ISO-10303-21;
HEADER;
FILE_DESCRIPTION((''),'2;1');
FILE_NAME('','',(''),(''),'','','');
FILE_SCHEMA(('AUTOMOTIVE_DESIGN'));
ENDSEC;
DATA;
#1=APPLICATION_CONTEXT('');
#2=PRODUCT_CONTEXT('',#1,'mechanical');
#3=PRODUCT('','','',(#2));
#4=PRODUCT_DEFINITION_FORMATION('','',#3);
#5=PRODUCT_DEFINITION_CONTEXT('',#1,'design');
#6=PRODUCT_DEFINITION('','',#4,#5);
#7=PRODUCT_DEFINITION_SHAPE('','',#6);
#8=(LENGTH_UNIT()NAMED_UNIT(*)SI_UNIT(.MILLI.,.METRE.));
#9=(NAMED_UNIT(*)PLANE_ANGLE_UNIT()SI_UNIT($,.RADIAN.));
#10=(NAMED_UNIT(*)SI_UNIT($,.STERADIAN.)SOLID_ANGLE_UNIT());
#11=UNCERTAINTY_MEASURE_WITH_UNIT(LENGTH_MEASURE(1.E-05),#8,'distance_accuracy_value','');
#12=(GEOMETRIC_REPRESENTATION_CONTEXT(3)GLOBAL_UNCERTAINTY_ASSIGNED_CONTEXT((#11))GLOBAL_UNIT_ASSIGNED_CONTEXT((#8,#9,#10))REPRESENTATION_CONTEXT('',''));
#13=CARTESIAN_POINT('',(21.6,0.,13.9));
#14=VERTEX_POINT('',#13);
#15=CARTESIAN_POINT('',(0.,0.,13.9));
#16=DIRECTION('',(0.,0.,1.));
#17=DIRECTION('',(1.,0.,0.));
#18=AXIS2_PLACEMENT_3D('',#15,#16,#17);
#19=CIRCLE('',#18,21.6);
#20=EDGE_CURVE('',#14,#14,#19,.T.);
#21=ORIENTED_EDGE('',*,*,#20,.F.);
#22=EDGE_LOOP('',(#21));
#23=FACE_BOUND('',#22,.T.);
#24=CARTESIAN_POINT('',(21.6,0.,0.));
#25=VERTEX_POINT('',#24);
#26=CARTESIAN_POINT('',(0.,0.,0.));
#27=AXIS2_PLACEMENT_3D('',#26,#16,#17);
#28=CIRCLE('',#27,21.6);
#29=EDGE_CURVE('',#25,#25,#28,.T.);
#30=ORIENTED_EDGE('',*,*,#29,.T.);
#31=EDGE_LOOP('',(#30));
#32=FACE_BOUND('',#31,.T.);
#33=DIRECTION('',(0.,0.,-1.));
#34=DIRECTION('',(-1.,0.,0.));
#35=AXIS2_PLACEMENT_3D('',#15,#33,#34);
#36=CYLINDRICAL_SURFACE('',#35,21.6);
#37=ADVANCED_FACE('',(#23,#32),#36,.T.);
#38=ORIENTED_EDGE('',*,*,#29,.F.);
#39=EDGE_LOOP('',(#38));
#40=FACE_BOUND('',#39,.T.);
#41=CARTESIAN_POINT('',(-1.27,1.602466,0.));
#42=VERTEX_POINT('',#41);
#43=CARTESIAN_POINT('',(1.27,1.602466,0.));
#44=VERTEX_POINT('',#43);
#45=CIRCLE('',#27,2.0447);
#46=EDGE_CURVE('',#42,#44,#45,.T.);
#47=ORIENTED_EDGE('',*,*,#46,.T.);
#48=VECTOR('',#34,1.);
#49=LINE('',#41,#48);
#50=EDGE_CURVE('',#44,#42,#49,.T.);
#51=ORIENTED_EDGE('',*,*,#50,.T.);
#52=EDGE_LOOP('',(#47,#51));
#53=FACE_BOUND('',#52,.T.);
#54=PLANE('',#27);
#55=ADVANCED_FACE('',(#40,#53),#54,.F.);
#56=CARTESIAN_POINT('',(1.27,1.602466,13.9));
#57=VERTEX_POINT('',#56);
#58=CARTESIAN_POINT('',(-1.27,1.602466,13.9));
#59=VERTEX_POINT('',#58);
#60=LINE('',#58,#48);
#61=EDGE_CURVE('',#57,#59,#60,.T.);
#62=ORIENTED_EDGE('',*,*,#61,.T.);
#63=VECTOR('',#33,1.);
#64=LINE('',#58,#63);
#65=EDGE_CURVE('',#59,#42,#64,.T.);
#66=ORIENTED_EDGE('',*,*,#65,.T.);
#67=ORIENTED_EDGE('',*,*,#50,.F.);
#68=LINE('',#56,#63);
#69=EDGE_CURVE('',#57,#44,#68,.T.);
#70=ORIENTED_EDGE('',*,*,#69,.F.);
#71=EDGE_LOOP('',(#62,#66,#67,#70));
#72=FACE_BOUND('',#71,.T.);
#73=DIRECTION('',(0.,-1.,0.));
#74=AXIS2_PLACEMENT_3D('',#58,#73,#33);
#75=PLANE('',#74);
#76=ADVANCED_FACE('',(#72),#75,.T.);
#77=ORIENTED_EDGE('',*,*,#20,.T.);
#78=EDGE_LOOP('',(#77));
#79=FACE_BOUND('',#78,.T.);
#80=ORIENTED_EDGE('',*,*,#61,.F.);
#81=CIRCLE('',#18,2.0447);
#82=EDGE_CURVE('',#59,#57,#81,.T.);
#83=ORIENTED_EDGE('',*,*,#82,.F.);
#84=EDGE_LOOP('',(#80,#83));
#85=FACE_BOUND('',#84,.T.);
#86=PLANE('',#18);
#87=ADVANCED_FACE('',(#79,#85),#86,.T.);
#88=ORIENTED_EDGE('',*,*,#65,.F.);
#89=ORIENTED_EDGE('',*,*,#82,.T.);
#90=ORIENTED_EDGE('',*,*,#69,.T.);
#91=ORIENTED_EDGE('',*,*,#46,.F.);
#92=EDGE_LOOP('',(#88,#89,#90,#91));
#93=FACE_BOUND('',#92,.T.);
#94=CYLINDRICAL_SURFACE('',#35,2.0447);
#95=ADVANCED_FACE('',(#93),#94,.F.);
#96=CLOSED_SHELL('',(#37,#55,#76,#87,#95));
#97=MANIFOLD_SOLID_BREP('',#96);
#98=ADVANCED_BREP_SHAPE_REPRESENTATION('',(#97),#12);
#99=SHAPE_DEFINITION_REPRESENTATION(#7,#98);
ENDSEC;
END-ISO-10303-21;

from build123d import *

# Parameters (mm, degrees)
SKETCH1_R           = 21.59999998
BOSS_EXTRUDE1_DEPTH = 13.899999886


with BuildPart() as part:
    # Sketch1 → Boss-Extrude1 (new body)
    with BuildSketch(Plane.XY):
        Circle(SKETCH1_R)
        with BuildLine():
            Line((-1.27, 1.602466252), (1.27, 1.602466252))
            ThreePointArc((1.27, 1.602466252), (0, -2.0447), (-1.27, 1.602466252))
        make_face(mode=Mode.SUBTRACT)
    extrude(amount=BOSS_EXTRUDE1_DEPTH)


solid = part.part
